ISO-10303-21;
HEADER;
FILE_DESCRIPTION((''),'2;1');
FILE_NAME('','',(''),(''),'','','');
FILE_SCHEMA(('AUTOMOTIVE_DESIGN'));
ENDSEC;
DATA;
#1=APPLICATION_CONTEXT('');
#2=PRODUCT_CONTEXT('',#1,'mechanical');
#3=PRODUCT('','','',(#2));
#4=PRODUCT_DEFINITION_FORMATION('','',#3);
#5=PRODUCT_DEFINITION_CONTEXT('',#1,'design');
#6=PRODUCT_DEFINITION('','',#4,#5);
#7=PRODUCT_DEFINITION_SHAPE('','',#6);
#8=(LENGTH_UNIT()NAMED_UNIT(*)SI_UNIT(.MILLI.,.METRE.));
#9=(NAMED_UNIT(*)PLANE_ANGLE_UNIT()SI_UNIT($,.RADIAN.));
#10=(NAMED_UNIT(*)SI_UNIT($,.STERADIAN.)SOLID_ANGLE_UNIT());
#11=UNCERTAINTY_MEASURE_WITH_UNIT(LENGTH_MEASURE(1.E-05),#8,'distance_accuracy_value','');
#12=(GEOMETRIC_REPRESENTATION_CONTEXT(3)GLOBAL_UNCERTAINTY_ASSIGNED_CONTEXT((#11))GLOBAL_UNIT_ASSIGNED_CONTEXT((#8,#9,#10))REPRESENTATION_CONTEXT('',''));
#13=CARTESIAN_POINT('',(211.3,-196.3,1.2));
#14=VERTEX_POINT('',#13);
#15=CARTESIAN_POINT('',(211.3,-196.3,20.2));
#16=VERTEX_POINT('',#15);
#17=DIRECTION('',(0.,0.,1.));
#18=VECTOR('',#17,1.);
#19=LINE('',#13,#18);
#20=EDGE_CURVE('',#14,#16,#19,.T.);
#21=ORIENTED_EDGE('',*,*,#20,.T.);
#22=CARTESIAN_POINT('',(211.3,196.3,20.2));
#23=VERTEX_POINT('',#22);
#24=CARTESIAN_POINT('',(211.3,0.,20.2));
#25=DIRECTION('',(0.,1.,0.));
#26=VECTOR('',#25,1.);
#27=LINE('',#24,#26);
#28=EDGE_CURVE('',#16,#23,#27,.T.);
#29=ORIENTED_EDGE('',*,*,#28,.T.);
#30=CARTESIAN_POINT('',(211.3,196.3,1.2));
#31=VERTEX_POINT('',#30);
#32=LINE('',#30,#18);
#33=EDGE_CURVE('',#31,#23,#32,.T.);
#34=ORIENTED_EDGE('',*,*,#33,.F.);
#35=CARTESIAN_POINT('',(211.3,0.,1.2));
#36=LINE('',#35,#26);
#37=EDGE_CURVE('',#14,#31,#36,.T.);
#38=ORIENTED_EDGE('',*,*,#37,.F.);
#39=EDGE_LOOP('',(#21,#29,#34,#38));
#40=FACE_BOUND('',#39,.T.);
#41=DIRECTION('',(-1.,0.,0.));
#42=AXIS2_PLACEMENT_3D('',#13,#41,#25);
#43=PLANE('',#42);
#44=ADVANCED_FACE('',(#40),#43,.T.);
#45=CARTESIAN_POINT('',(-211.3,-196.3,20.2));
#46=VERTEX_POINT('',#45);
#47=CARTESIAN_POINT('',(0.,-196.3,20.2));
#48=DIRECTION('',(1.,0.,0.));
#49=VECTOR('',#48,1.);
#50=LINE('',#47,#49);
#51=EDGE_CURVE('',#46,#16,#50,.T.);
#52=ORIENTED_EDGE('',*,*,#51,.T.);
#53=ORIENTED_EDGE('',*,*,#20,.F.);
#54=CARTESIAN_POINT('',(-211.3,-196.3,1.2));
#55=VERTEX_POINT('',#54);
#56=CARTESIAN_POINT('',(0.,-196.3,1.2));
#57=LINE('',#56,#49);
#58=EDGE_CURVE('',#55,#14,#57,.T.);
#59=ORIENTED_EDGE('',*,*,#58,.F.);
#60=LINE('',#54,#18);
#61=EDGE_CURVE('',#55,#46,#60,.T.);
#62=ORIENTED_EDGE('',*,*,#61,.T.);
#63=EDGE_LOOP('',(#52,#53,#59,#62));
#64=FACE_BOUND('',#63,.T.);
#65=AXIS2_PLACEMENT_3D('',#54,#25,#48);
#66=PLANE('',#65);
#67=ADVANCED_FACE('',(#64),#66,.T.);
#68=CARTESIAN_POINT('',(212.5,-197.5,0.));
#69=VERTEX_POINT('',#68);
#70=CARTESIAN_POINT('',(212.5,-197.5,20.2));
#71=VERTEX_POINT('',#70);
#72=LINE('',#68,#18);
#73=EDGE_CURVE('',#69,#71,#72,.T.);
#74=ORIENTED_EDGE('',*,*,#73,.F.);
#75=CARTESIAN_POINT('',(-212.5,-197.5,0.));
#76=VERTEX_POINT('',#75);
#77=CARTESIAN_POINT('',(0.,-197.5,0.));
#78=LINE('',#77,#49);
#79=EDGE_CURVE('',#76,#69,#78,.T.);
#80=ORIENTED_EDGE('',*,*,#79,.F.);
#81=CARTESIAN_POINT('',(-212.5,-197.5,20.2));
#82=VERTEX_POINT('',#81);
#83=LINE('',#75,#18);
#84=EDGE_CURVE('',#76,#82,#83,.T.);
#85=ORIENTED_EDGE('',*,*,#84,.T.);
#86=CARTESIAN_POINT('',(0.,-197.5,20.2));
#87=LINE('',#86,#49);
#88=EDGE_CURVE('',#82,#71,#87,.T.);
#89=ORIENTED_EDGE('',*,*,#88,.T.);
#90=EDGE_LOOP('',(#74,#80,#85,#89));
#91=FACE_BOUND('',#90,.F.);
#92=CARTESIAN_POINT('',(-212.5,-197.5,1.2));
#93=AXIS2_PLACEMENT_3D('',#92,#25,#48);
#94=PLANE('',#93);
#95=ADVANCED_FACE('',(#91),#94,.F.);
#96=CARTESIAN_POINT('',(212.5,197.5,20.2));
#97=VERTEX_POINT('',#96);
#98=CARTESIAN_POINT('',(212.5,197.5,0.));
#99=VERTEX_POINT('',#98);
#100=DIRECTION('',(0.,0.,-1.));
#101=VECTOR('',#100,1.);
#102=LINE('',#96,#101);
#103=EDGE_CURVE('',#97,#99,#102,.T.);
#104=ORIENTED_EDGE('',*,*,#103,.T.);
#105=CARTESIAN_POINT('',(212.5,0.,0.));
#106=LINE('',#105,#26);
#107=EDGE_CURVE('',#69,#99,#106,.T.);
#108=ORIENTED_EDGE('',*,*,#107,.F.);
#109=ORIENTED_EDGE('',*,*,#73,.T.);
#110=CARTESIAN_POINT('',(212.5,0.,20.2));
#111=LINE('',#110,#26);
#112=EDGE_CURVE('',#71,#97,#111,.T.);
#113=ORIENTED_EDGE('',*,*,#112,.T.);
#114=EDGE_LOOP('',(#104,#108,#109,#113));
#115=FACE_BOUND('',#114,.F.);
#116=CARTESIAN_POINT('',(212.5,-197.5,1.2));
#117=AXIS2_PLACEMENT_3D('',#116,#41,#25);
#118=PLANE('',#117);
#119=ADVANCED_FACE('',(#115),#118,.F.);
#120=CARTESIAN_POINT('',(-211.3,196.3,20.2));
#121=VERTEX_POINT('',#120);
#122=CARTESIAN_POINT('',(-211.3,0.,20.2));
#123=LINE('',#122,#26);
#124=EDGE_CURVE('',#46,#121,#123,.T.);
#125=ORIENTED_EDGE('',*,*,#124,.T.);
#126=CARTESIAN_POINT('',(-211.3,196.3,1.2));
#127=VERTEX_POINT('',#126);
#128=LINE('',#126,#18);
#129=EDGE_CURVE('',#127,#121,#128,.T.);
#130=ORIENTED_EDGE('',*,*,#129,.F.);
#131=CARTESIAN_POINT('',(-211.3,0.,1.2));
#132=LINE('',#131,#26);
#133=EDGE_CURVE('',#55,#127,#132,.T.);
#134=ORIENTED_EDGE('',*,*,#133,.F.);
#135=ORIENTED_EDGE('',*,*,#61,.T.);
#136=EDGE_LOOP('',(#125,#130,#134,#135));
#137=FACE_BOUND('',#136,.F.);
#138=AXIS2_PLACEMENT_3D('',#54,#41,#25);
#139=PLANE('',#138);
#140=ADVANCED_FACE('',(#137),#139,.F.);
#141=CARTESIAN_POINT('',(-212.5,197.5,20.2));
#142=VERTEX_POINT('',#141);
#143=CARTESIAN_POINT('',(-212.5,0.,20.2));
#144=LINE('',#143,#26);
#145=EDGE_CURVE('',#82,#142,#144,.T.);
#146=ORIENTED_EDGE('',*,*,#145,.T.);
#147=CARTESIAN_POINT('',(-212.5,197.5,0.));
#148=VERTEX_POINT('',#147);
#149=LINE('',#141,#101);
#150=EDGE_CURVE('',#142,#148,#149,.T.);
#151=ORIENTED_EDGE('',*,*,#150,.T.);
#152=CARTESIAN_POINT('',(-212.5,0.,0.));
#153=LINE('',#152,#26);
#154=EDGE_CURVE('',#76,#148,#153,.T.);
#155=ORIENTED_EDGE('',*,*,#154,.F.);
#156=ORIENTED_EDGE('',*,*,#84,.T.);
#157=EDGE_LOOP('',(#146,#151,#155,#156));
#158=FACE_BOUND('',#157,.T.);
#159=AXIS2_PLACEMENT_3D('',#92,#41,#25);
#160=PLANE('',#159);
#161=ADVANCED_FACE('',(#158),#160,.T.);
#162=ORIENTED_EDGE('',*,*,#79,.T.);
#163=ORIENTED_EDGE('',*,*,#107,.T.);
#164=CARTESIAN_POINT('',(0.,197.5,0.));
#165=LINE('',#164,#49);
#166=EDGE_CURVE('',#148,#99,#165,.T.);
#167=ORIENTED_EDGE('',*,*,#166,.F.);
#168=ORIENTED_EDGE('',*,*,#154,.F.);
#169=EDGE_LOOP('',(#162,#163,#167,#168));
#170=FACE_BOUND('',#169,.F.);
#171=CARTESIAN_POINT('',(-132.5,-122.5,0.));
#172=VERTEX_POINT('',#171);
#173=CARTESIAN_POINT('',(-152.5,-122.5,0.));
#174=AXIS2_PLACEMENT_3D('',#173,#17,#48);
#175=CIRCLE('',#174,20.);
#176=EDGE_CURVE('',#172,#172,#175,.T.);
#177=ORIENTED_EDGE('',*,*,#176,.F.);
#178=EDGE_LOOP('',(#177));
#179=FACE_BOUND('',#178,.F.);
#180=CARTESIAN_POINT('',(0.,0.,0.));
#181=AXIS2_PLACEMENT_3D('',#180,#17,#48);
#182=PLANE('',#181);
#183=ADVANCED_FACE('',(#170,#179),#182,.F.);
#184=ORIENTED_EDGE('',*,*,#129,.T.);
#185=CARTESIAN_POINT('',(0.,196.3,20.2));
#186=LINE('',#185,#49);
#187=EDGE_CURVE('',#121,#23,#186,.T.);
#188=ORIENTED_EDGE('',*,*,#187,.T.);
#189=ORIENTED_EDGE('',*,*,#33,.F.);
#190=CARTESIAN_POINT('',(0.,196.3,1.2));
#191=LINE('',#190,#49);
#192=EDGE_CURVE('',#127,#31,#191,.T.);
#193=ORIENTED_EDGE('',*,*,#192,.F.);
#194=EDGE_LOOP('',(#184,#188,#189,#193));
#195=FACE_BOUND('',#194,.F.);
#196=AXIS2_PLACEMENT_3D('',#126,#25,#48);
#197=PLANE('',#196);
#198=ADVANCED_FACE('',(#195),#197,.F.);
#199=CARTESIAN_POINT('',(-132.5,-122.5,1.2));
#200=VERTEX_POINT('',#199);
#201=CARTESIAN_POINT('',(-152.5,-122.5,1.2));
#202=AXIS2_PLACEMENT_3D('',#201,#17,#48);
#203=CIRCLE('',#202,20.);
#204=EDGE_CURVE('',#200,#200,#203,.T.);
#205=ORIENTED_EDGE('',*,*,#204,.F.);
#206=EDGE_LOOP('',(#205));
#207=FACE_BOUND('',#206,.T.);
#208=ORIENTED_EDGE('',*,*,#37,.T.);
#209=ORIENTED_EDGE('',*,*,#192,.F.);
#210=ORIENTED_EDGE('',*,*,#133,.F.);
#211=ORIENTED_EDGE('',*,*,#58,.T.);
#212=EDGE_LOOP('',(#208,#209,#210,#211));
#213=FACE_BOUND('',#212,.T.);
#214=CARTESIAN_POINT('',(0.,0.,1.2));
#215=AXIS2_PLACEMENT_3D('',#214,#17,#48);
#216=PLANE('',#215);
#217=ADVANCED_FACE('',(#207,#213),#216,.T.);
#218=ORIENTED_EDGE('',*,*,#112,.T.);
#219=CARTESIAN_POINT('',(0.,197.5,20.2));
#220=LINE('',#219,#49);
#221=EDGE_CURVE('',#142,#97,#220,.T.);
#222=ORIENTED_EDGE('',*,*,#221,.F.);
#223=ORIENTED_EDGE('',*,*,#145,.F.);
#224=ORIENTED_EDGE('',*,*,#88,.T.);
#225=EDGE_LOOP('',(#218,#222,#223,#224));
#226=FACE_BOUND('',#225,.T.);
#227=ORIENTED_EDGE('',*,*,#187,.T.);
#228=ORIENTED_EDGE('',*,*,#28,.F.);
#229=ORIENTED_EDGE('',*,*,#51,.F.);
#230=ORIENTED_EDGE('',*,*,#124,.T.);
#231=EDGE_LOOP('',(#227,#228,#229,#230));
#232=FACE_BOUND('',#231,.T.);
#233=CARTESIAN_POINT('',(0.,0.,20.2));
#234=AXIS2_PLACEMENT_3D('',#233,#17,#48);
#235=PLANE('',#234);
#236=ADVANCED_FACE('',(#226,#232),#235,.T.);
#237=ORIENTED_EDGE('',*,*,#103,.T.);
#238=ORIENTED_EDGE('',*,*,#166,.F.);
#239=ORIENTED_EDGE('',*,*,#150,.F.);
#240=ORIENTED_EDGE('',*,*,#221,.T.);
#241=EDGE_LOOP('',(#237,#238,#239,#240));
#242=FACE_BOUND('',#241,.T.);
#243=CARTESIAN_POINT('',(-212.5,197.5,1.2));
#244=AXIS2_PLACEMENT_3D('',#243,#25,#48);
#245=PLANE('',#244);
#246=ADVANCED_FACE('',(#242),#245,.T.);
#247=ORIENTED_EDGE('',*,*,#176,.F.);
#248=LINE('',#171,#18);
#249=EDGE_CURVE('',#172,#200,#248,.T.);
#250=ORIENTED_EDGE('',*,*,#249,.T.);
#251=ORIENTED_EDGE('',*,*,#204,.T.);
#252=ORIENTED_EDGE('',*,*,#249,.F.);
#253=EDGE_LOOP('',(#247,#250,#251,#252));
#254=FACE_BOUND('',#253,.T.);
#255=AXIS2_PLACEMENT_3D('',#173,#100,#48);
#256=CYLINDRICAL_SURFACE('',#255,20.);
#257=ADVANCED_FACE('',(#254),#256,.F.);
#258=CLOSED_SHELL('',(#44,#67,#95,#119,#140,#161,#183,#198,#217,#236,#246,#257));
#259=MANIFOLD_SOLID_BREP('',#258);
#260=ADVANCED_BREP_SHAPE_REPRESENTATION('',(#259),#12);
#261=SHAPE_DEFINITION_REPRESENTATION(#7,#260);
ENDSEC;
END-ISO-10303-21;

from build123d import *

# Parameters (mm, degrees)
F0_W     = 425
F0_H     = 395
F0_R     = 20
F1_DEPTH = 1.2
F2_W     = 425
F2_H     = 395
F2_W_2   = 422.6
F2_H_2   = 392.6
F3_DEPTH = 19


with BuildPart() as f1:
    # F0 (on Top) → F1 (new body)
    with BuildSketch(Plane.XY):
        Rectangle(F0_W, F0_H)
        with Locations((-152.5, -122.5)):
            Circle(F0_R, mode=Mode.SUBTRACT)
    extrude(amount=F1_DEPTH)

    # F2 (on face) → F3 (join)
    with BuildSketch(Plane.XY.offset(1.2)):
        Rectangle(F2_W, F2_H)
        Rectangle(F2_W_2, F2_H_2, mode=Mode.SUBTRACT)
    extrude(amount=F3_DEPTH)


solid = f1.part
